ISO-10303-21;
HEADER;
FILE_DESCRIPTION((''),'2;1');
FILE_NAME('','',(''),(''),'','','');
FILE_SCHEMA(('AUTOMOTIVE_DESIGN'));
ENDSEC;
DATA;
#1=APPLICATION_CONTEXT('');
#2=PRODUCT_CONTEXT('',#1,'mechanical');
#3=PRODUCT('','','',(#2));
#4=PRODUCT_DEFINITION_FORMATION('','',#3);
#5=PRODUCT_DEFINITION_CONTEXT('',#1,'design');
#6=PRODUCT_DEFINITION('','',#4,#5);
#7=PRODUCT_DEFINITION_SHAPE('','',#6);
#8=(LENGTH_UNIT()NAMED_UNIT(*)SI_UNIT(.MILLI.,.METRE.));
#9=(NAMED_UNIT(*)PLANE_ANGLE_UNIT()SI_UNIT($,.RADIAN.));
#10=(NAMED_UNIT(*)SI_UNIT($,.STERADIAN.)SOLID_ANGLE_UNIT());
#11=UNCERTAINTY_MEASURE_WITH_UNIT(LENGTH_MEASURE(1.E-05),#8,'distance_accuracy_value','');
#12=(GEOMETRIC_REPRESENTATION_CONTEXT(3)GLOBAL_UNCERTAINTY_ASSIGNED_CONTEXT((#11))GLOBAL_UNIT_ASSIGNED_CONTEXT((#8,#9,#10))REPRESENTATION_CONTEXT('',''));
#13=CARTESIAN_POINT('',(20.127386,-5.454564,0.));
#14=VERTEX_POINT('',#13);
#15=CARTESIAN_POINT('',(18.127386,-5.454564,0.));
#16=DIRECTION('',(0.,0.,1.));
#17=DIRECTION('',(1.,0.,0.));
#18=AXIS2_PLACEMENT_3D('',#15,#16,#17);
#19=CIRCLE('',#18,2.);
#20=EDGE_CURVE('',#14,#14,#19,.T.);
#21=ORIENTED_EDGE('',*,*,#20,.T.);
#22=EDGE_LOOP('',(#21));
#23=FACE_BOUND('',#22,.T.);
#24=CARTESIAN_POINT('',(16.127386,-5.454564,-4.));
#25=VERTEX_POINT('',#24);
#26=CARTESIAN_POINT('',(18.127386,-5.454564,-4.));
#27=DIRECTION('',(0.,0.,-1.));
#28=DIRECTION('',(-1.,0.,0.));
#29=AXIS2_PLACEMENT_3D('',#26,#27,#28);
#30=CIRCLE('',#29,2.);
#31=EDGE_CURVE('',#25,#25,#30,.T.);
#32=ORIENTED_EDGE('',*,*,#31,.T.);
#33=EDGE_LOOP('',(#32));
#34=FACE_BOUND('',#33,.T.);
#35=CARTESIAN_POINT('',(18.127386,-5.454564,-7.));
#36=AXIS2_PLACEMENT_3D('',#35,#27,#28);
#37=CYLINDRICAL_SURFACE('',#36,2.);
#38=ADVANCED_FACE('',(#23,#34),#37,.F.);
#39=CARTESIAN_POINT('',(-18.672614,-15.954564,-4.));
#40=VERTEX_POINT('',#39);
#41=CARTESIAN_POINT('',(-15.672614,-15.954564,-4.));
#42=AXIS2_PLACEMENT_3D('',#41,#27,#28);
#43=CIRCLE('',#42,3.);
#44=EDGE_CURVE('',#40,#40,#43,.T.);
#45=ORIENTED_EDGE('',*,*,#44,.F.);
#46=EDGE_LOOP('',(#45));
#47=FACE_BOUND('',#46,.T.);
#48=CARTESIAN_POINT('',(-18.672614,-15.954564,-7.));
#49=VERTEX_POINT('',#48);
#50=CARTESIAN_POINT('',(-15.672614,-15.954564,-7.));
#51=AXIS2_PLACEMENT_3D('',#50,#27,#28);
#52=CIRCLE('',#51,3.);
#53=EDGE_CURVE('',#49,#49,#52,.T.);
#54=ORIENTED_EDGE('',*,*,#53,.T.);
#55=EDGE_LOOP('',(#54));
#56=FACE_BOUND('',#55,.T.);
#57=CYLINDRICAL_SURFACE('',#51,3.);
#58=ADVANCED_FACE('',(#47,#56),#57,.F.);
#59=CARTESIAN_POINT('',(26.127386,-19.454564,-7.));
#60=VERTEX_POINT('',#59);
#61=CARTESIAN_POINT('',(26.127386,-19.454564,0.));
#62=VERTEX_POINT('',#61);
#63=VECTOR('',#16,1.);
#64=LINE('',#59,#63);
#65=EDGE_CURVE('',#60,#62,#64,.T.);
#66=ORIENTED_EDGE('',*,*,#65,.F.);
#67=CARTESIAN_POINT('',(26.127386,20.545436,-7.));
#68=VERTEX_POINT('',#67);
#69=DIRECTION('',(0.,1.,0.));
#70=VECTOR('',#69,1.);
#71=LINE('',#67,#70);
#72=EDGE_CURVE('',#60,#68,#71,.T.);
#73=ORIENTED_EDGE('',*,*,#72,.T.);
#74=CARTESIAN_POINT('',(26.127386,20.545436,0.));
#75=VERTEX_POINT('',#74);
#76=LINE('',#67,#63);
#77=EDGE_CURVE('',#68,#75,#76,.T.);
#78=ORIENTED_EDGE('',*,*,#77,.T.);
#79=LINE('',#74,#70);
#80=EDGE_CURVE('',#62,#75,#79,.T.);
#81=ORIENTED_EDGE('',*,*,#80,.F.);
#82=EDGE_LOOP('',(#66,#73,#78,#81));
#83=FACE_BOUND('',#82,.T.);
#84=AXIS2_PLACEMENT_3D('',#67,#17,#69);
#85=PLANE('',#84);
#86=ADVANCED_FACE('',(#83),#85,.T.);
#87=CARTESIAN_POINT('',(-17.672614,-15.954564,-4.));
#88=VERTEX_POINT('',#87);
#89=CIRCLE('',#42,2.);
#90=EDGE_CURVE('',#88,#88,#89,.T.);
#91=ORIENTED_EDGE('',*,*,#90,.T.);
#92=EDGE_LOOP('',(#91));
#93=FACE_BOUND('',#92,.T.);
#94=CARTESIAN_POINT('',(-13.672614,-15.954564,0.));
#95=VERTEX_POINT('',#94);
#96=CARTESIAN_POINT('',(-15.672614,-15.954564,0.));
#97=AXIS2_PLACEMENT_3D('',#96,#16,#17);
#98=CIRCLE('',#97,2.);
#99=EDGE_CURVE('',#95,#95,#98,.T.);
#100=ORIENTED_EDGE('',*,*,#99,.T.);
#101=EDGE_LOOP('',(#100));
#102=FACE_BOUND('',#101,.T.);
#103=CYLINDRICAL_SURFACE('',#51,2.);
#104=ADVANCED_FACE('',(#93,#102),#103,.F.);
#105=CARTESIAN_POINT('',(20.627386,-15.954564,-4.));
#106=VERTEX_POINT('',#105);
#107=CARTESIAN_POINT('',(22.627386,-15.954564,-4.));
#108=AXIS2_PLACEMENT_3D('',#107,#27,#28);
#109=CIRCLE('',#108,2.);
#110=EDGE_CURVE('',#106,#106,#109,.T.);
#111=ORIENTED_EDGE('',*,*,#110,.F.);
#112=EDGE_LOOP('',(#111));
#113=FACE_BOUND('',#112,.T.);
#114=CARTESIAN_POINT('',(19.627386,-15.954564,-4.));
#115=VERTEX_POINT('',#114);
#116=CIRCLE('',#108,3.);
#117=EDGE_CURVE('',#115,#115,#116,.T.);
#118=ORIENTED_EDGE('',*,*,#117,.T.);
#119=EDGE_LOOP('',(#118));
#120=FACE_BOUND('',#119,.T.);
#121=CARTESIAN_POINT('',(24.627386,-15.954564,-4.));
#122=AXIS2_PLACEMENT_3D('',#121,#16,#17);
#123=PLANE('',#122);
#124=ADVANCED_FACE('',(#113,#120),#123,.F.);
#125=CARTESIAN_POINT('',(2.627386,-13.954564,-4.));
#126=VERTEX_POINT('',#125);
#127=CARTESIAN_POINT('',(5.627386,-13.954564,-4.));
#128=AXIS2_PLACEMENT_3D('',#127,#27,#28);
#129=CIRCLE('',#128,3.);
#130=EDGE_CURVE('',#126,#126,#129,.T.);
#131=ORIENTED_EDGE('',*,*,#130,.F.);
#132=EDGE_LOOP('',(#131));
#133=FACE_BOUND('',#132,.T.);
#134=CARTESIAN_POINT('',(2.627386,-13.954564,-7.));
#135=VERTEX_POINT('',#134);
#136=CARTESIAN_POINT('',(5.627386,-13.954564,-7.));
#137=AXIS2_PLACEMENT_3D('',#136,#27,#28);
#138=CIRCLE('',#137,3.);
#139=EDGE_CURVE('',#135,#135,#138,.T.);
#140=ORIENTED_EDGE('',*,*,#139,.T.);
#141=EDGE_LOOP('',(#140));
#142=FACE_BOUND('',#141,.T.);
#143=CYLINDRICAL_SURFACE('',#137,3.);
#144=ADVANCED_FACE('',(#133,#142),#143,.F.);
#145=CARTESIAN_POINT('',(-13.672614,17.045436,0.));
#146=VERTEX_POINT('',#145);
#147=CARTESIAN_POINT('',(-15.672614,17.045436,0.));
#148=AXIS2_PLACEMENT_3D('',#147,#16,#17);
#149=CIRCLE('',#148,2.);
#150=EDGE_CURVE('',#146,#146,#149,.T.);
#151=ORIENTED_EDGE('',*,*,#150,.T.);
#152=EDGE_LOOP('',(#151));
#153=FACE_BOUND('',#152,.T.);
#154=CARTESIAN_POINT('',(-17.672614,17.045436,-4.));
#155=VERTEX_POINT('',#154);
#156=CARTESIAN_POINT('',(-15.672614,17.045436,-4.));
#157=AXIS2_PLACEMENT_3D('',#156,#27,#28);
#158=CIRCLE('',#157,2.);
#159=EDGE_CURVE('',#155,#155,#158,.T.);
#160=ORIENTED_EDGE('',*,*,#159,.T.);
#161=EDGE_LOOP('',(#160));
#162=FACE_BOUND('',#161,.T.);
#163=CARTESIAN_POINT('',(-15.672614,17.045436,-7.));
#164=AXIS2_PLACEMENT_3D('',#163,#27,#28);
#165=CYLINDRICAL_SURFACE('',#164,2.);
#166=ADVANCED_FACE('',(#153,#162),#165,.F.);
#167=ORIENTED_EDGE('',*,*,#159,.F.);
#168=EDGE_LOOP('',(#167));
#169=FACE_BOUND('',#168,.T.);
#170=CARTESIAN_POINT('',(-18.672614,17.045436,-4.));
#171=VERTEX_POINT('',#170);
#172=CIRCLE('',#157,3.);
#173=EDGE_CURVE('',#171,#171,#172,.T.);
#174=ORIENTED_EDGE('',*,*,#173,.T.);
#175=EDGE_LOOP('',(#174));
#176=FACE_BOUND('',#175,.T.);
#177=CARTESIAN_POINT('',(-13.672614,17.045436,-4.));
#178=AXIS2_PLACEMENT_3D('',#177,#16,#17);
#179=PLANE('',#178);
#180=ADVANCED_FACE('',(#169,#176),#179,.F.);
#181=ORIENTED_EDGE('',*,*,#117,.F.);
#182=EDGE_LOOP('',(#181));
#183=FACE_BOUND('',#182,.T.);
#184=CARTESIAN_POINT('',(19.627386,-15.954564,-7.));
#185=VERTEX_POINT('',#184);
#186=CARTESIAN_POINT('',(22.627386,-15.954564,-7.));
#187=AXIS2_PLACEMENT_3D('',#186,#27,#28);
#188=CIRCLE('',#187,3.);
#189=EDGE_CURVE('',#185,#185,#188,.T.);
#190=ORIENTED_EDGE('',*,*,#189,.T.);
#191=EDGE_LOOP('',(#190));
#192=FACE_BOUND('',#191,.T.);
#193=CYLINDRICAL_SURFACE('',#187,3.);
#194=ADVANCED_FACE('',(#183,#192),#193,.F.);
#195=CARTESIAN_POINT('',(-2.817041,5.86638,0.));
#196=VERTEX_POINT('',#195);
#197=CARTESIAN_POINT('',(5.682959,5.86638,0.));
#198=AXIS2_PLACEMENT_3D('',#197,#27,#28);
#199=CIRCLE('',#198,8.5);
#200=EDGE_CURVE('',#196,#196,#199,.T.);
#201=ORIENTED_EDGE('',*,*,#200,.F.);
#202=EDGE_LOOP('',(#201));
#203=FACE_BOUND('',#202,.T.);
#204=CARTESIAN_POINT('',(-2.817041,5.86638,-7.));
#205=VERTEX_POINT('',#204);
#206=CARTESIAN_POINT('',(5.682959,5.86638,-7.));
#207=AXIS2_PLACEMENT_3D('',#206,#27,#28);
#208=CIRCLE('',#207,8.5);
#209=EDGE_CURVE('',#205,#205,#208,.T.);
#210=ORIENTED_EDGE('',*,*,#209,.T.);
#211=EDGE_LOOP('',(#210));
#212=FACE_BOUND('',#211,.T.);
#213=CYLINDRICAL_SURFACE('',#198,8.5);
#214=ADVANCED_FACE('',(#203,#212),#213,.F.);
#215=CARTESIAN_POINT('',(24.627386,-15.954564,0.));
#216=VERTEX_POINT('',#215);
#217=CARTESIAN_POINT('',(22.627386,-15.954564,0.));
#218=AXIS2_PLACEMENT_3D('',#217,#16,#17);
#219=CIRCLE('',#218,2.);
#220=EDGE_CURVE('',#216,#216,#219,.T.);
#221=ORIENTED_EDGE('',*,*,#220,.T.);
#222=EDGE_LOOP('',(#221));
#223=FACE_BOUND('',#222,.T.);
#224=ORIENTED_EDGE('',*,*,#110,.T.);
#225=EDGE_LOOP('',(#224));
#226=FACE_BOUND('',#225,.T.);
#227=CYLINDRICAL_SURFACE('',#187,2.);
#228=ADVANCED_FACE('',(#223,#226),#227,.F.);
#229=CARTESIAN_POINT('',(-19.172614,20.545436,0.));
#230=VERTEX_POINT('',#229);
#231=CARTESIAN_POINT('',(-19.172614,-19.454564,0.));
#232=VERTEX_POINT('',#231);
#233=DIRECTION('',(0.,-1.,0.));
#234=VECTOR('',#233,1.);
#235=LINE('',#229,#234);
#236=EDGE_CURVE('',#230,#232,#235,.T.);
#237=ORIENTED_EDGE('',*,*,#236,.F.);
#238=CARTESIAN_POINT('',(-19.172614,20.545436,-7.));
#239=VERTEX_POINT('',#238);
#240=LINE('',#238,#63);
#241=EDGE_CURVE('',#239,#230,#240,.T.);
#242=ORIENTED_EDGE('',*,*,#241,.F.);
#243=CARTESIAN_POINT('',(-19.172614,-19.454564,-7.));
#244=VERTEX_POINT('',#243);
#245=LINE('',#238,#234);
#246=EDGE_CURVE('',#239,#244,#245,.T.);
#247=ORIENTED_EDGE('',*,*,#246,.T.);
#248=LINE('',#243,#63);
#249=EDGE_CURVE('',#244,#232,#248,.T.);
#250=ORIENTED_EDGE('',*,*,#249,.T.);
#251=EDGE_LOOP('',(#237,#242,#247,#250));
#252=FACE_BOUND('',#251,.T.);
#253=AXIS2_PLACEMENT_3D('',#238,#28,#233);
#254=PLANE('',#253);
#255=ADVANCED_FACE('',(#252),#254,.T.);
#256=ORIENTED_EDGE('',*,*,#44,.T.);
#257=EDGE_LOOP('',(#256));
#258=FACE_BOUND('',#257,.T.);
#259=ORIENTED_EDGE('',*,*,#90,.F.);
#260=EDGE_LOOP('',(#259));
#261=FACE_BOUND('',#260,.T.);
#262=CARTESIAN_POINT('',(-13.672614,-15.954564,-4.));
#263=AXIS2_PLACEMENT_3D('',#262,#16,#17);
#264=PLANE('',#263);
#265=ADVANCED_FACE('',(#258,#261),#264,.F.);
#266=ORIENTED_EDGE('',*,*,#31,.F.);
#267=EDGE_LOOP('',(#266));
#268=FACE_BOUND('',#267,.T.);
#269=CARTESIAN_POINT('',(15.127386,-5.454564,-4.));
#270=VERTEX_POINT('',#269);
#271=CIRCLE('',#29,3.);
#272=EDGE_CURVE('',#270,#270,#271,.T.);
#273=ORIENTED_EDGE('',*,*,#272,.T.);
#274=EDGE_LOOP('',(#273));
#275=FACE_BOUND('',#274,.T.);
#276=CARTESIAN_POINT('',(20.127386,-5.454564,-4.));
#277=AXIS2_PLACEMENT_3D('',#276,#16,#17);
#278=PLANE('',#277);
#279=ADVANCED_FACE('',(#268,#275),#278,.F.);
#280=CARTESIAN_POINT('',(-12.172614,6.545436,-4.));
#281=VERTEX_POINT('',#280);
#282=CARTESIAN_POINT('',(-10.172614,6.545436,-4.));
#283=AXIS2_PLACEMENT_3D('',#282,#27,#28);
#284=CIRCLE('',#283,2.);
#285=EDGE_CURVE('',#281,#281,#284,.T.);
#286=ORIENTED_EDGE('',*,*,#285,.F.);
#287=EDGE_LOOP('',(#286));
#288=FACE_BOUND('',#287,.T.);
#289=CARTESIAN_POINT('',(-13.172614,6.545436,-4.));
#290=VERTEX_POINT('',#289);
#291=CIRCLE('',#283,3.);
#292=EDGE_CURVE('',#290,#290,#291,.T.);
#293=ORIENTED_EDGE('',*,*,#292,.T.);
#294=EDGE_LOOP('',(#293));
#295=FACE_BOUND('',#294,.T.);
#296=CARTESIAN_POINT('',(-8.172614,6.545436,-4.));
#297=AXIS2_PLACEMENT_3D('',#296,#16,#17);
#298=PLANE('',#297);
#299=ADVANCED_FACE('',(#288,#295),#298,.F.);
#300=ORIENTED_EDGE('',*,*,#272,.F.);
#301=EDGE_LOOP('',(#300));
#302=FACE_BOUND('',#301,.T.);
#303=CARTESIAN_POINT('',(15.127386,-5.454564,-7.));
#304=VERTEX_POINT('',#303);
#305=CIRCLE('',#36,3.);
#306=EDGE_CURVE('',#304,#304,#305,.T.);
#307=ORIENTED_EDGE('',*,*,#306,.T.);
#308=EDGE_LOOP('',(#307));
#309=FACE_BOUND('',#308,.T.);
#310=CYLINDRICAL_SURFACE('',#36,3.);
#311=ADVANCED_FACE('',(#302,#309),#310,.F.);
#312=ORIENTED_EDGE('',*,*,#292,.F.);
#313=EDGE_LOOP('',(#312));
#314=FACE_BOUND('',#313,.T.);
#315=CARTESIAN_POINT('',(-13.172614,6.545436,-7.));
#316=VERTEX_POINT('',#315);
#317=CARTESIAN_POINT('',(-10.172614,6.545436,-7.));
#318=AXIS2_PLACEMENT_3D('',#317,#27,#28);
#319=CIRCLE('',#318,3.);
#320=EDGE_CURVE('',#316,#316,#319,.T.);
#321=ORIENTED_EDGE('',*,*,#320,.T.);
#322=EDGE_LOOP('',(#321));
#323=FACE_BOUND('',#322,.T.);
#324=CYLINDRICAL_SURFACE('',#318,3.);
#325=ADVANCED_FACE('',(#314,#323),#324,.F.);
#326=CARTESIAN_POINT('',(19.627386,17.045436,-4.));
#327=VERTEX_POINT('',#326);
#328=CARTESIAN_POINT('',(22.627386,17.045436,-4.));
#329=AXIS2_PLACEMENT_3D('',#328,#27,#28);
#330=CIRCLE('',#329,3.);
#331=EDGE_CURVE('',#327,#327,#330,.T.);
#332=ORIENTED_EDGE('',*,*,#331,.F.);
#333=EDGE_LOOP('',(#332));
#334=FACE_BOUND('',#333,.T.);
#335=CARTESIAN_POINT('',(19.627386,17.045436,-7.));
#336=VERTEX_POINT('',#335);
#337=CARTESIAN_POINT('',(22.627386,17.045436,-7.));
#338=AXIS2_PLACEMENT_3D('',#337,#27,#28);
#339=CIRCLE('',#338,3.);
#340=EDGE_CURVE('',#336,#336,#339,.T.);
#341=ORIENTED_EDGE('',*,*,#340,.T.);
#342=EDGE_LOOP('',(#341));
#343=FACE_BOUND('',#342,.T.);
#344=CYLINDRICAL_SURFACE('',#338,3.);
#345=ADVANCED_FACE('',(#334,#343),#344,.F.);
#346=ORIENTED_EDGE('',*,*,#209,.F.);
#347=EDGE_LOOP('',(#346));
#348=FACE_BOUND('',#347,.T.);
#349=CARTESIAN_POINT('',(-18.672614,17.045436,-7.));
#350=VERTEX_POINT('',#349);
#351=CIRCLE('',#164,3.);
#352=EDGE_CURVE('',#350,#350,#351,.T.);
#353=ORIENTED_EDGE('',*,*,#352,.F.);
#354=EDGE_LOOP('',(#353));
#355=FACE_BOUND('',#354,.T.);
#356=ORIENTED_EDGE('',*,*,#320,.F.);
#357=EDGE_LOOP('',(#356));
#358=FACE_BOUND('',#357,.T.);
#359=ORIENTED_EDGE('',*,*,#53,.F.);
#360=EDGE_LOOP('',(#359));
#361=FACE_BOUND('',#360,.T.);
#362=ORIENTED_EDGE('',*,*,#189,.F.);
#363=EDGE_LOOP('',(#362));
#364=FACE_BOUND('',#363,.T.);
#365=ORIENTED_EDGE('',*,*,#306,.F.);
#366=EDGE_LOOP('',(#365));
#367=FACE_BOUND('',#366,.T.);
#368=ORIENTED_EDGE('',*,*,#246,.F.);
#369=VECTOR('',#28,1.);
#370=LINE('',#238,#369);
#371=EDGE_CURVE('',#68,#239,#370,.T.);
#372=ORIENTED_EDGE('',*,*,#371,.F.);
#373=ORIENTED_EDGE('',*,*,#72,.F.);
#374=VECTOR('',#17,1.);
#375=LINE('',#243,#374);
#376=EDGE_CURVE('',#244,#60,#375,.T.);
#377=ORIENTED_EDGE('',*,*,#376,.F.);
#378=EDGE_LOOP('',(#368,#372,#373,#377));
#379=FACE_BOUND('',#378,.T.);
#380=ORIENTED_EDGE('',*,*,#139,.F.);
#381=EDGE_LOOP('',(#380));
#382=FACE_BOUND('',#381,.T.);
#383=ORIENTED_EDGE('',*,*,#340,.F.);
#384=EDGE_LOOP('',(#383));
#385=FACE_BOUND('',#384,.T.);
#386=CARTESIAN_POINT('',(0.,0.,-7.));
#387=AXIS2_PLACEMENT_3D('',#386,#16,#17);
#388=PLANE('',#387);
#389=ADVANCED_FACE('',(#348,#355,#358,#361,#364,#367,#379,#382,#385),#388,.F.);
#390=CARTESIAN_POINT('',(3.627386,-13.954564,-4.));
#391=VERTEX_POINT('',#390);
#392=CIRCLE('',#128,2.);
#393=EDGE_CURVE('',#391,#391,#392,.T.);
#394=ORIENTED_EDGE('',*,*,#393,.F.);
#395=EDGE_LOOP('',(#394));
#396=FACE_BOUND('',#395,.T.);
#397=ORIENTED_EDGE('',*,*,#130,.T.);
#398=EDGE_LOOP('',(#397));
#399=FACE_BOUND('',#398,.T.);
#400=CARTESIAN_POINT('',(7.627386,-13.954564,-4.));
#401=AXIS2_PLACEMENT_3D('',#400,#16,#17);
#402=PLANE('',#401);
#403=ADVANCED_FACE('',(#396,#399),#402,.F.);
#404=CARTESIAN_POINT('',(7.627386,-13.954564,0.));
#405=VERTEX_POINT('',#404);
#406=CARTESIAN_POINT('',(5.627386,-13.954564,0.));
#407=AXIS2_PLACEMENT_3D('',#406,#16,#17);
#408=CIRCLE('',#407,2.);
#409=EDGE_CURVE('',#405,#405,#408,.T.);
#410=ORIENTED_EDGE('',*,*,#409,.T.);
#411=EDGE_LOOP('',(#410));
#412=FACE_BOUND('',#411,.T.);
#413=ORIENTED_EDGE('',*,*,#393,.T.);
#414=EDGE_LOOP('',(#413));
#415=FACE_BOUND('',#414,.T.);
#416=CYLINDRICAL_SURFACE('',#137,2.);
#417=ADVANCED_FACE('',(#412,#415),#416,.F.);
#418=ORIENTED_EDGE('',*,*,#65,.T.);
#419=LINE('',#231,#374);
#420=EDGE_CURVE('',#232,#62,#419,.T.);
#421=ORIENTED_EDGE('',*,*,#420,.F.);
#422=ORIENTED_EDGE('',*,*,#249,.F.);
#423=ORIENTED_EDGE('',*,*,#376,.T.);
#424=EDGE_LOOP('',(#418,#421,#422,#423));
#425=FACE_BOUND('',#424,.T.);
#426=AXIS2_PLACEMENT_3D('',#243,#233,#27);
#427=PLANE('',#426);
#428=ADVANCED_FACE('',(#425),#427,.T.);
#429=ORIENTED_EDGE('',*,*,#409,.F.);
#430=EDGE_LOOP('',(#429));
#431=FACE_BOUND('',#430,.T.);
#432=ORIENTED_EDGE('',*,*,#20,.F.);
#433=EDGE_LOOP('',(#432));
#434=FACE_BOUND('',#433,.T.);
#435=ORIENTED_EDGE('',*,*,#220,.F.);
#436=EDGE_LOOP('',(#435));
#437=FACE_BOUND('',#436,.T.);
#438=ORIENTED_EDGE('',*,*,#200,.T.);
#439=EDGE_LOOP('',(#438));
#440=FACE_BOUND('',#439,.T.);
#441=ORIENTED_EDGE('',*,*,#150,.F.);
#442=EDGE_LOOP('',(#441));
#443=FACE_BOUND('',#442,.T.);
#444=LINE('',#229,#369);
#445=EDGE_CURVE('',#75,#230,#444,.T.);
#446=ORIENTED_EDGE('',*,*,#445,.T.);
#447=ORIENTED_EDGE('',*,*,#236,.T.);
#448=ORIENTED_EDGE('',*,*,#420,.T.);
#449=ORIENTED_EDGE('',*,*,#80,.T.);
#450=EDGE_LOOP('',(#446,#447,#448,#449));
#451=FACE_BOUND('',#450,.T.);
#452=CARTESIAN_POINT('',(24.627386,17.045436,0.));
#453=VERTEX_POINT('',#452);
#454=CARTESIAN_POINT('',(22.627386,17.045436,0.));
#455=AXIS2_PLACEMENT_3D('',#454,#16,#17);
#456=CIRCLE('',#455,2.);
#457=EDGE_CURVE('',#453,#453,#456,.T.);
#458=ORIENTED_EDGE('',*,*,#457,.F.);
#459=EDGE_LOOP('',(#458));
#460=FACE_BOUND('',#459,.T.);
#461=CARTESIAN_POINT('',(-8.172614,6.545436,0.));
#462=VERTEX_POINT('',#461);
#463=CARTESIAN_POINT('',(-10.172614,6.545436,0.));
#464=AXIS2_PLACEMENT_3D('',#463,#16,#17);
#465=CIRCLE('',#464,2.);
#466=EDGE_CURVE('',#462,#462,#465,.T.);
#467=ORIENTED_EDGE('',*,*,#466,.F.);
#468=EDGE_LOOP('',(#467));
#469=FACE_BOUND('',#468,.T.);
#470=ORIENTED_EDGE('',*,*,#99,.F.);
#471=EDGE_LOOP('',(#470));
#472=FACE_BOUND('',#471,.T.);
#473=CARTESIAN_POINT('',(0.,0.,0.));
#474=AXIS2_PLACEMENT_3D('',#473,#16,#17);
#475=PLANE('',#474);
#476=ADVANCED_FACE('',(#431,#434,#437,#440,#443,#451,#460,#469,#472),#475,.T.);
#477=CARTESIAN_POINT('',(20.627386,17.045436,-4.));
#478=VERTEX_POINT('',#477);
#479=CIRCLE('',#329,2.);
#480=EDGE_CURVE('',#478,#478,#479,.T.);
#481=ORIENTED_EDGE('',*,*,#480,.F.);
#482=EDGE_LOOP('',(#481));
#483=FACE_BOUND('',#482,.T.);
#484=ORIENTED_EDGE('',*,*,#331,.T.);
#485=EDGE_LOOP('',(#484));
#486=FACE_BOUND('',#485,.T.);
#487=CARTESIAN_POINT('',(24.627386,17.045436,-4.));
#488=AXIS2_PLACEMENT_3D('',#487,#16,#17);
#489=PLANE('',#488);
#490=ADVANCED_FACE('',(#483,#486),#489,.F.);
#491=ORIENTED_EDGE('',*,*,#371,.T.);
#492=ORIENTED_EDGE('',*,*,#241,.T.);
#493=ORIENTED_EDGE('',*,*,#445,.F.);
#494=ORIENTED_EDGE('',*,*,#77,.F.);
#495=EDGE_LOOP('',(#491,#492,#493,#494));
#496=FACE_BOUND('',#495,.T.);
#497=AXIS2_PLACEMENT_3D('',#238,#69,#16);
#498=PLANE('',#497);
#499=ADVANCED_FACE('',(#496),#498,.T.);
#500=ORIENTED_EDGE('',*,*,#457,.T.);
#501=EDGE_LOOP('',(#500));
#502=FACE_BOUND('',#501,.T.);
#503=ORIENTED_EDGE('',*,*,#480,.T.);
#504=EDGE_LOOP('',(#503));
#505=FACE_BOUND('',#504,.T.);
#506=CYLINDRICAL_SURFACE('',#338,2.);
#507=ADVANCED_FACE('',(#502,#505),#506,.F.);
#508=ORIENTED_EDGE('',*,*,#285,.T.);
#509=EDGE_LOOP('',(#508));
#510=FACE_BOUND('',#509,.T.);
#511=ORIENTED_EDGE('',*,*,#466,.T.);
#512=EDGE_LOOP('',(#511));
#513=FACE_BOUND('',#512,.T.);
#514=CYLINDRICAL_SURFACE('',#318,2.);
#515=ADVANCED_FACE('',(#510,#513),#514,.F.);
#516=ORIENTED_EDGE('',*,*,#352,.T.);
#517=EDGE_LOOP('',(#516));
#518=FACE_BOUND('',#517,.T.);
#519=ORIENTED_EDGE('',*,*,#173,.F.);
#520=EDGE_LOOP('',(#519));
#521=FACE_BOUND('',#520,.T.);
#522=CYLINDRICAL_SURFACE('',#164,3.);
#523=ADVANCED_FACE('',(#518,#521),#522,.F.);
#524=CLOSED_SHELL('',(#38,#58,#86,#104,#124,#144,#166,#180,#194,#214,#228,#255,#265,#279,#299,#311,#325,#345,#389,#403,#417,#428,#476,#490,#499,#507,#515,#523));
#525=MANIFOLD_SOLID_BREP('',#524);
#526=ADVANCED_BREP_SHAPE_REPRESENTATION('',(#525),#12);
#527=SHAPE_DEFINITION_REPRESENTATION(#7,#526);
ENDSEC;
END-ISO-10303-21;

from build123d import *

# Parameters (mm, degrees)
ESQUISSE1_W                                       = 45.3
ESQUISSE1_H                                       = 40
BOSS_EXTRU_1_DEPTH                                = 7
CHAMBRAGE_POUR_VIS_SIX_PANS_CREUX_M42_D           = 4
CHAMBRAGE_POUR_VIS_SIX_PANS_CREUX_M42_CBORE_D     = 6
CHAMBRAGE_POUR_VIS_SIX_PANS_CREUX_M42_CBORE_DEPTH = 3
ESQUISSE8_R                                       = 8.5
ENL_V_MAT_EXTRU_1_DEPTH                           = 7
CHAMBRAGE_POUR_VIS_SIX_PANS_CREUX_M43_D           = 4
CHAMBRAGE_POUR_VIS_SIX_PANS_CREUX_M43_CBORE_D     = 6
CHAMBRAGE_POUR_VIS_SIX_PANS_CREUX_M43_CBORE_DEPTH = 3


with BuildPart() as part:
    # Esquisse1 → Boss.-Extru.1 (new body)
    with BuildSketch(Plane.XY):
        with Locations((3.477385892, 0.545435685)):
            Rectangle(ESQUISSE1_W, ESQUISSE1_H)
    extrude(amount=-BOSS_EXTRU_1_DEPTH)

    # Chambrage pour vis à six pans creux M42 (through all)
    with Locations(Plane(origin=(0, 0, -7), x_dir=(-1, 0, 0), z_dir=(0, 0, -1))):
        with Locations((-22.627385892, 17.045435685), (15.672614108, 17.045435685), (15.672614108, -15.954564315), (-22.627385892, -15.954564315)):
            CounterBoreHole(CHAMBRAGE_POUR_VIS_SIX_PANS_CREUX_M42_D / 2, CHAMBRAGE_POUR_VIS_SIX_PANS_CREUX_M42_CBORE_D / 2, CHAMBRAGE_POUR_VIS_SIX_PANS_CREUX_M42_CBORE_DEPTH)

    # Esquisse8 → Enlèv. mat.-Extru.1 (cut)
    with BuildSketch(Plane(origin=(0, 0, -7), x_dir=(-1, 0, 0), z_dir=(0, 0, -1))):
        with Locations((-5.682958625, 5.866379902)):
            Circle(ESQUISSE8_R)
    extrude(amount=-ENL_V_MAT_EXTRU_1_DEPTH, mode=Mode.SUBTRACT)

    # Chambrage pour vis à six pans creux M43 (through all)
    with Locations(Plane(origin=(0, 0, -7), x_dir=(-1, 0, 0), z_dir=(0, 0, -1))):
        with Locations((-5.627385892, -13.954564315), (-18.127385892, -5.454564315), (10.172614108, 6.545435685)):
            CounterBoreHole(CHAMBRAGE_POUR_VIS_SIX_PANS_CREUX_M43_D / 2, CHAMBRAGE_POUR_VIS_SIX_PANS_CREUX_M43_CBORE_D / 2, CHAMBRAGE_POUR_VIS_SIX_PANS_CREUX_M43_CBORE_DEPTH)


solid = part.part
